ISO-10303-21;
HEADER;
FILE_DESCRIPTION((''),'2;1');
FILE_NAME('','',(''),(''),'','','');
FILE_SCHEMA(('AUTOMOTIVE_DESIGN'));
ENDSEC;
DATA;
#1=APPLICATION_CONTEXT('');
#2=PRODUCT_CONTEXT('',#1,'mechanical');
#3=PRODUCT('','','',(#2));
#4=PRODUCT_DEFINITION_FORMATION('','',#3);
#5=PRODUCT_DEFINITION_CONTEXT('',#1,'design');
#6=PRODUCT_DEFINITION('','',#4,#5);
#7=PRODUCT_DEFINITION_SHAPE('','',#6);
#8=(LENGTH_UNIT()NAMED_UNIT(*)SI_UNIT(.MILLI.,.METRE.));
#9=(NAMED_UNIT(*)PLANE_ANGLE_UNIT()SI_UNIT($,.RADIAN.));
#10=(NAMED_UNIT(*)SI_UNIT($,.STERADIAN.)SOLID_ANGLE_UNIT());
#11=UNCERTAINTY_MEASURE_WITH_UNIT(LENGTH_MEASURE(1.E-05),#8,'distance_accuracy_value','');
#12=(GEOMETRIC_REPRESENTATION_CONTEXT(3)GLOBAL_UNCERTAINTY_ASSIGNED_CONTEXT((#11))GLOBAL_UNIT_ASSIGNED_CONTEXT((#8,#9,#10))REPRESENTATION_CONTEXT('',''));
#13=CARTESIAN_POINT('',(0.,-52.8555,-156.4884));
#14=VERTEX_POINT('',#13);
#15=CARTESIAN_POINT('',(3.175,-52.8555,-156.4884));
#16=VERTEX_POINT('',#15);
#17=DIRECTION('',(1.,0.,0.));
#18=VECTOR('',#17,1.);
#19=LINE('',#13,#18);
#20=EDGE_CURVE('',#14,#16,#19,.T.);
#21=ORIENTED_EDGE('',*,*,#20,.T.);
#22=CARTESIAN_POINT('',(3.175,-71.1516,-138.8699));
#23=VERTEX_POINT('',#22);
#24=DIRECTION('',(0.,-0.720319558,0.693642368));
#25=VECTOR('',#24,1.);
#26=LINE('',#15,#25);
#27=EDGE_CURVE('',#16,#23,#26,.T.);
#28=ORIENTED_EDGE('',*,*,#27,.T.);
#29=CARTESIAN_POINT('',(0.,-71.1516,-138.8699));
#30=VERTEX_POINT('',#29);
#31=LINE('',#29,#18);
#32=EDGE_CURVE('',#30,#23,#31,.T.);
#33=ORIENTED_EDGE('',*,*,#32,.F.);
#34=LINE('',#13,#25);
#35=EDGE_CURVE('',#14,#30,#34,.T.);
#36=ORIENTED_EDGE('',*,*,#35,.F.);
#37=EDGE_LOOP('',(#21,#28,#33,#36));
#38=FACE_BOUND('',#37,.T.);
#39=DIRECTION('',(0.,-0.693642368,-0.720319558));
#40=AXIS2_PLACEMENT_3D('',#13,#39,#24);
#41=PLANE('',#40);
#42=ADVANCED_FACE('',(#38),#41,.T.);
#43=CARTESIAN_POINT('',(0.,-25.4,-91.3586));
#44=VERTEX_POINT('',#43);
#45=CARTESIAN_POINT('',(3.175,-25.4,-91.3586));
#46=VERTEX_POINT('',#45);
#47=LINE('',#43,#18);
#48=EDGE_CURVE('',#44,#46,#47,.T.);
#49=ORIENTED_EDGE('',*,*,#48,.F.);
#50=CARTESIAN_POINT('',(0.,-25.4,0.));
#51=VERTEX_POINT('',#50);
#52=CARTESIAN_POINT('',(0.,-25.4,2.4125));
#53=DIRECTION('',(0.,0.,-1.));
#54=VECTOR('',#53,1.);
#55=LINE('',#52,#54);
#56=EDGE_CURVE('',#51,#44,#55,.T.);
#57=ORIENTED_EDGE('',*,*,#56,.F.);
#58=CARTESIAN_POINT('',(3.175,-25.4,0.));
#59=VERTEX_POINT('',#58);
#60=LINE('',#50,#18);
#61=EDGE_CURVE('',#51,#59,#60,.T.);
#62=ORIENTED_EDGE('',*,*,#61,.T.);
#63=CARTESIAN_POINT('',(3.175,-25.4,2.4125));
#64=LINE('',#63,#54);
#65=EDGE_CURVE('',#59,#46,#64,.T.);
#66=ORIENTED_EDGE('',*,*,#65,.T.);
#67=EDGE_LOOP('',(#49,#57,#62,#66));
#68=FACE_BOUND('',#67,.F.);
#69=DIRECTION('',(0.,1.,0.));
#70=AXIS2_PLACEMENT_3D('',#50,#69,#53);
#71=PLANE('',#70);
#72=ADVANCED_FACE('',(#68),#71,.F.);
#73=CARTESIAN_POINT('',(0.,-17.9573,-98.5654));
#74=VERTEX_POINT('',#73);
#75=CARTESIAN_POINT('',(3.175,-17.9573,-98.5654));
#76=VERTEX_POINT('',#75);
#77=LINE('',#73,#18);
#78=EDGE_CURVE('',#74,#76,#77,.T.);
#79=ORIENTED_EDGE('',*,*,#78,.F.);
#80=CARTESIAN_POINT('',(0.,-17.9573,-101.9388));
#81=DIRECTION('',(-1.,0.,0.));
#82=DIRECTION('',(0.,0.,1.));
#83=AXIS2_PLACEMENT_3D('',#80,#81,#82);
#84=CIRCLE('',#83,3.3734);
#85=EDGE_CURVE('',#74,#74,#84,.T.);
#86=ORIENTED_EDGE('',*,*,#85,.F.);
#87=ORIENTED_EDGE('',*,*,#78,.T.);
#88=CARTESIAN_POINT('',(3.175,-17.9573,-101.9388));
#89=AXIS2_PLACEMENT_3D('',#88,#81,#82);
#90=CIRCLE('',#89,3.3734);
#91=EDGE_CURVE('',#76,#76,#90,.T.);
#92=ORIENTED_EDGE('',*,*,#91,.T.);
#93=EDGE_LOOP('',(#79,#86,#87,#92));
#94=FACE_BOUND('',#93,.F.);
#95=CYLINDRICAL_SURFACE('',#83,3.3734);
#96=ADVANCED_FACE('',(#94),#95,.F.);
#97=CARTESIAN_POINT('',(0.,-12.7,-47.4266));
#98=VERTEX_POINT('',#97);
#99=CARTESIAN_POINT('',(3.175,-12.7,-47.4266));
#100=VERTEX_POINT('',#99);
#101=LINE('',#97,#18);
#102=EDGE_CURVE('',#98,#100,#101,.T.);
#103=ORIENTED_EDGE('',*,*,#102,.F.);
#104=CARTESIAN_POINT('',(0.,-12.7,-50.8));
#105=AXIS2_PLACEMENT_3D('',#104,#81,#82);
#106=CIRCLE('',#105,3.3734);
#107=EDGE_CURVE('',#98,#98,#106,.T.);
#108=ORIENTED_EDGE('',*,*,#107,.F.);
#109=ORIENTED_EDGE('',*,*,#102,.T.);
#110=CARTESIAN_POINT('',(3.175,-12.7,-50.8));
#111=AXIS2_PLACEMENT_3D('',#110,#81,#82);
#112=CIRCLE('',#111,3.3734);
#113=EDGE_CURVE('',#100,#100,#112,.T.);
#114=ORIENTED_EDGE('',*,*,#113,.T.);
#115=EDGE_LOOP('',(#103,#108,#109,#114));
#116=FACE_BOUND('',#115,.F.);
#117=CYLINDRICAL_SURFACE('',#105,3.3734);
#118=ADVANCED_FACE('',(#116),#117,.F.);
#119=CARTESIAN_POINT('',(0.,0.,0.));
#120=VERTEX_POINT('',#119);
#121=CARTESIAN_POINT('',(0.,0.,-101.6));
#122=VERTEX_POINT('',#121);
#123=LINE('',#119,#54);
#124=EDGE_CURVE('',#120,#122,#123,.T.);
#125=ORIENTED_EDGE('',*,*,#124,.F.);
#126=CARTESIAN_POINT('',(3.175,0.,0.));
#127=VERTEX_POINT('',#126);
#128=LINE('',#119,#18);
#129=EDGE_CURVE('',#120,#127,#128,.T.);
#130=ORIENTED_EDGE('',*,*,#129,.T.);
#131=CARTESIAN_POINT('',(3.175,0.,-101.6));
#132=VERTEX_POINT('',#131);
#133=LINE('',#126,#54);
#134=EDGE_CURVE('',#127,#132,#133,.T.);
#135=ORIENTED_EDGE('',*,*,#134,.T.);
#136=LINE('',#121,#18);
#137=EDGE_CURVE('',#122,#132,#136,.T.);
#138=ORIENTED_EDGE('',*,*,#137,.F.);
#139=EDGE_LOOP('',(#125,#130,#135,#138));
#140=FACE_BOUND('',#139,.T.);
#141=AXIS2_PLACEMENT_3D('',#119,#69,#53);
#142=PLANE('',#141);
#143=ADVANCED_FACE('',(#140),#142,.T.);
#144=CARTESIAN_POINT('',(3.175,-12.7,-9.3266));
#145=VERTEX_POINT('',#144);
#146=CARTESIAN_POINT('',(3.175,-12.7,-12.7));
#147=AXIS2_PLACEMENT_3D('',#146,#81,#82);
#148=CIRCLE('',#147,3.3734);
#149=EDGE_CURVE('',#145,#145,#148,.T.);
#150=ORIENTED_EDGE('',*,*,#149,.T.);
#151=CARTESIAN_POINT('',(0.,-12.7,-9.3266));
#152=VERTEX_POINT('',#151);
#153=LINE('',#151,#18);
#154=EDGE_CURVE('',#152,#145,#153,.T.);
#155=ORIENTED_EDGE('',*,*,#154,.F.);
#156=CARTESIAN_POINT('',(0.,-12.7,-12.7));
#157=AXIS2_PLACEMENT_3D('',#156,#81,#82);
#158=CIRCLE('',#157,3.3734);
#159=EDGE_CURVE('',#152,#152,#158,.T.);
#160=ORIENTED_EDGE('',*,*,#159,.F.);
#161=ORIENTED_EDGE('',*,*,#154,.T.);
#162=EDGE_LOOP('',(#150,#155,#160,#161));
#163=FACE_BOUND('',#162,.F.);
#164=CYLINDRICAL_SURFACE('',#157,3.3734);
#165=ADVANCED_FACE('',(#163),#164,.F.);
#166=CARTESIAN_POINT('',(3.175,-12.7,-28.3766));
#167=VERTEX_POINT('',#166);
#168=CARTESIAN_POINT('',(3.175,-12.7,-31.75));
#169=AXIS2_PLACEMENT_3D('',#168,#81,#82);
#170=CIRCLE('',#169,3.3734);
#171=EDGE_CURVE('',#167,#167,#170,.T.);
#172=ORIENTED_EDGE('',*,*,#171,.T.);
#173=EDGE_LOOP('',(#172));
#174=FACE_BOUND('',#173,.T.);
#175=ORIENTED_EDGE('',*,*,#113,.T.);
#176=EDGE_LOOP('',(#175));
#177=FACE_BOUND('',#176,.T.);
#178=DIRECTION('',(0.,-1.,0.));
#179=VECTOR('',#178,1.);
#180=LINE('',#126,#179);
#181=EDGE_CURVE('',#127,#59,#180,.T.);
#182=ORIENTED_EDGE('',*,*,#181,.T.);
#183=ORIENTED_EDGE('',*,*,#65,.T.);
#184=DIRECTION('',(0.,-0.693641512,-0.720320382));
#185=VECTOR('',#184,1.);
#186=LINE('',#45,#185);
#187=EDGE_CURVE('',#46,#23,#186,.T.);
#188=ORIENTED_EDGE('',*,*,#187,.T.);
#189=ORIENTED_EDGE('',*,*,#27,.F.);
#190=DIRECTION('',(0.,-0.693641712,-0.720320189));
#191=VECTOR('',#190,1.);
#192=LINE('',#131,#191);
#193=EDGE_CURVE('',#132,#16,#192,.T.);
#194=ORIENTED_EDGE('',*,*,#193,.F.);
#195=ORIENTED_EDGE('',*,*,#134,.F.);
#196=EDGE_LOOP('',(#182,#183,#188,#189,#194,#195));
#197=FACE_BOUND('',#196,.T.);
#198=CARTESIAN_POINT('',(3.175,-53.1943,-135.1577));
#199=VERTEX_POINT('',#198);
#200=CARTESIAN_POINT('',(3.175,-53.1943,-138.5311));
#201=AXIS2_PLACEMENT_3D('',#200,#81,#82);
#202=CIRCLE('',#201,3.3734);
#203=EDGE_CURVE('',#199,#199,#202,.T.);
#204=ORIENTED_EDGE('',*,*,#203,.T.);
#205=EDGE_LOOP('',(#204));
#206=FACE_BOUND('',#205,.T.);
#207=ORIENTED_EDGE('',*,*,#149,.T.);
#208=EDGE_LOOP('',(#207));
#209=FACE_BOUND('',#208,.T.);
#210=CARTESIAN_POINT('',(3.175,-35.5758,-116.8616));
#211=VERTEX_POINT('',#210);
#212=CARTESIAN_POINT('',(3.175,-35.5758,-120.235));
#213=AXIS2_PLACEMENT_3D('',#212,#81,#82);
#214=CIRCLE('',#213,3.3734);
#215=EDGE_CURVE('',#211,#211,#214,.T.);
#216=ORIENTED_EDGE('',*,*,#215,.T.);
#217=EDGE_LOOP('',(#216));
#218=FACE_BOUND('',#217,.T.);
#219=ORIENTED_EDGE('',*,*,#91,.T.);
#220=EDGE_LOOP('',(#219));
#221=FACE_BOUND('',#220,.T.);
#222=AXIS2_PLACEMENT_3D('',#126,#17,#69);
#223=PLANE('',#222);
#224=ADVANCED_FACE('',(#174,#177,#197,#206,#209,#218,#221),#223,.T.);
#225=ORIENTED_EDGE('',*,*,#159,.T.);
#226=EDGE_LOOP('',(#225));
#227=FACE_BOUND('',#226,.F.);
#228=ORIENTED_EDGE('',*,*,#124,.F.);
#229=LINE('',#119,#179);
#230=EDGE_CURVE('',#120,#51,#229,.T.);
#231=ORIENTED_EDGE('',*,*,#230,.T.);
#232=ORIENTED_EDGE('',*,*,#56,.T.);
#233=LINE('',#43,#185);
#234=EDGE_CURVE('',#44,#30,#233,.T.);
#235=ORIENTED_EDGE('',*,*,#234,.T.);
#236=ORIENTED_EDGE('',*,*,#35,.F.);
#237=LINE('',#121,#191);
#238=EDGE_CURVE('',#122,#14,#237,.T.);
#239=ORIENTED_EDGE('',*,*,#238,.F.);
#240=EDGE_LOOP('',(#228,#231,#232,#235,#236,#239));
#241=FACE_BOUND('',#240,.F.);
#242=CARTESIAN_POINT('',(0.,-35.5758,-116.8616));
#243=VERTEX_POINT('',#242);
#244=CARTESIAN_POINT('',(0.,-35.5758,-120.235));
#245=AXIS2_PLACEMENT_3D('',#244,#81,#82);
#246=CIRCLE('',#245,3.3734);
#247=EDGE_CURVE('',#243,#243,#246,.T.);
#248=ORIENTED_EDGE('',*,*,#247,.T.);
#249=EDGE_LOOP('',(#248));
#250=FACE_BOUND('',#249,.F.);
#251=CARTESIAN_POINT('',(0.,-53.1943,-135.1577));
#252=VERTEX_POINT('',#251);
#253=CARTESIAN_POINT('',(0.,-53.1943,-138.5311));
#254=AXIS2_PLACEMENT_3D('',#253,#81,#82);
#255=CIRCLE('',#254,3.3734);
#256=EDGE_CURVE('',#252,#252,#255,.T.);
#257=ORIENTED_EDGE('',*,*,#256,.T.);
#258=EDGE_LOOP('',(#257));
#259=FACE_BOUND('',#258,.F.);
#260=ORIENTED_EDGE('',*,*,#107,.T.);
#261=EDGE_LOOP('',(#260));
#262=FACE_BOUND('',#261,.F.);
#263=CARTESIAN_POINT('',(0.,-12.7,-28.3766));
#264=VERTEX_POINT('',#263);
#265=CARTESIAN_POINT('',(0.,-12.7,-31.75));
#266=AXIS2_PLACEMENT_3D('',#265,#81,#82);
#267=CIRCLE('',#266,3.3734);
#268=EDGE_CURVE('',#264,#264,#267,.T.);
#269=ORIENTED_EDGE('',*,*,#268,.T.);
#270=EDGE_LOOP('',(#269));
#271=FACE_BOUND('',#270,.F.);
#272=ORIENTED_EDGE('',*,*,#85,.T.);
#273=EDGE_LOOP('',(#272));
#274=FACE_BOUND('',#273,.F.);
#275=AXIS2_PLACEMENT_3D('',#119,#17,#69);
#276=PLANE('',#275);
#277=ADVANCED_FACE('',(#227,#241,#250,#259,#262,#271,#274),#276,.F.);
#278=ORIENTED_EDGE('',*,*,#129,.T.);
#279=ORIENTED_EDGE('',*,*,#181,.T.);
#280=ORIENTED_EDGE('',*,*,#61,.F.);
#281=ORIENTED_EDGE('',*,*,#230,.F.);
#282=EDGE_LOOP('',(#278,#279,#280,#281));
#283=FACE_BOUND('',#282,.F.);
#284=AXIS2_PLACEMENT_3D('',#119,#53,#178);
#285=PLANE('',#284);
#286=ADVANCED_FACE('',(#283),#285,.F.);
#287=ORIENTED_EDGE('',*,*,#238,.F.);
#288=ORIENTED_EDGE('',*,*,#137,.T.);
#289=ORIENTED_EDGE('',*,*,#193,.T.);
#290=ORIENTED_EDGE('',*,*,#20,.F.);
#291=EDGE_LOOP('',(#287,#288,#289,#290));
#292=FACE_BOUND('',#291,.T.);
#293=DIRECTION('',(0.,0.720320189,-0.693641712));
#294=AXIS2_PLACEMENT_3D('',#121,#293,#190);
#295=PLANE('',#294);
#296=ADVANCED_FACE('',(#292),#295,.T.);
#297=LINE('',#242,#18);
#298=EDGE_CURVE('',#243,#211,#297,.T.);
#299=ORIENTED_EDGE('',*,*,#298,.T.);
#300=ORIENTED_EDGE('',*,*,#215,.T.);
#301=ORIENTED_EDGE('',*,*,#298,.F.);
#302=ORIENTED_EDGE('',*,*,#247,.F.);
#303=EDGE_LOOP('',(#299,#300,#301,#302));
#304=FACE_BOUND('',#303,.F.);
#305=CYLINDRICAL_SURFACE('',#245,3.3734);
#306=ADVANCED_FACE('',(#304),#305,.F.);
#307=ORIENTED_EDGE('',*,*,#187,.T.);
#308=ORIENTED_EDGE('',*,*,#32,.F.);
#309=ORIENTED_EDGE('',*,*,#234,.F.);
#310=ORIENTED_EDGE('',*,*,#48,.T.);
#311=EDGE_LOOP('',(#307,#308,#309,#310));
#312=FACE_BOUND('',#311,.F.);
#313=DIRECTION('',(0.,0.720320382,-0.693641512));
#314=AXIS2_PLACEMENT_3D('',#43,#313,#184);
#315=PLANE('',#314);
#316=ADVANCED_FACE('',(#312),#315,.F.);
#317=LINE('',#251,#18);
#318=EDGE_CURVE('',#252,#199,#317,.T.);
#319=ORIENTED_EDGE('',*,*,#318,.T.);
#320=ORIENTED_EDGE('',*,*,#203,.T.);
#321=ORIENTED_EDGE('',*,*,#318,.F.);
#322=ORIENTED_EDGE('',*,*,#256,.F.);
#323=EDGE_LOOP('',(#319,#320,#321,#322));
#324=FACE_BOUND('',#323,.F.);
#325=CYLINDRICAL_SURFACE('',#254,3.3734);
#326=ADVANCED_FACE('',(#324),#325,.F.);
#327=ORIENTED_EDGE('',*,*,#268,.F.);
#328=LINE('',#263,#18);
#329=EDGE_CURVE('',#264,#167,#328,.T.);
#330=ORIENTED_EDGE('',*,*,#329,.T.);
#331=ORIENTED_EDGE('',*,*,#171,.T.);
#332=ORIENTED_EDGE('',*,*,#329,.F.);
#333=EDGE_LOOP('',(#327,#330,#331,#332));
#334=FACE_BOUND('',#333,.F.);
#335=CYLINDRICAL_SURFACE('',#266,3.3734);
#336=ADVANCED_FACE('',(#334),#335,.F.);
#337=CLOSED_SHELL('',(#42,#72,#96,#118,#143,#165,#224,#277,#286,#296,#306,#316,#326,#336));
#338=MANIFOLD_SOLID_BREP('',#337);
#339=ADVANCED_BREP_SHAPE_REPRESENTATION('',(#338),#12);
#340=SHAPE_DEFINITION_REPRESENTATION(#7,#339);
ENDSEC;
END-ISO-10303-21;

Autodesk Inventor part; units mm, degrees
ref_plane "YZ Plane" through (0, 0, 0) normal (1, 0, 0) x (0, 1, 0)
ref_plane "XZ Plane" through (0, 0, 0) normal (0, 1, 0) x (-1, 0, 0)
ref_plane "XY Plane" through (0, 0, 0) normal (0, 0, 1) x (1, 0, 0)
sketch "Sketch1" plane through (0, 0, 0) normal (1, 0, 0) x (0, 1, 0)
  line L0 (0, 0) -> (0, -101.6)
  line L1 (0, -101.6) -> (-52.8555, -156.4884)
  line L2 (-25.4, 2.4125) -> (-25.4, -91.3586)
  line L3 (-25.4, -91.3586) -> (-71.1516, -138.8699)
  line L4 (-52.8555, -156.4884) -> (-71.1516, -138.8699)
  line L5 (0, 0) -> (-25.4, 0)
  dimension "d0" = 101.6
  dimension "d1" = 25.4
  dimension "d2" = 25.4
  dimension "d3" = 76.2
  dimension "d4" = 136.081
extrude "Extrusion1" add sketch "Sketch1" along normal blind 3.175
sketch "Sketch2" plane through (0, 0, 0) normal (-1, 0, 0) x (0, 0, 1)
  circle A0 centre (-12.7, -12.7) radius 3.3734
  circle A1 centre (-31.75, -12.7) radius 3.3734
  circle A2 centre (-50.8, -12.7) radius 3.3734
  line L0 (0, -25.4) -> (0, 0) projected
  line L1 (0, -12.7) -> (-114.7885, -12.7) construction
  line L2 (-156.4884, -52.8555) -> (-101.6, 0) projected
  circle A3 centre (-138.5311, -53.1943) radius 3.3734
  circle A4 centre (-120.235, -35.5758) radius 3.3734
  circle A5 centre (-101.9388, -17.9573) radius 3.3734
  line L3 (-91.3586, -25.4) -> (-138.8699, -71.1516) projected
  line L4 (-156.4884, -52.8555) -> (-138.8699, -71.1516) projected
  dimension "d7" = 6.7469
  dimension "d8" = 6.7469
  dimension "d9" = 6.7469
  dimension "d10" = 12.7
  dimension "d11" = 19.05
  dimension "d12" = 19.05
  dimension "d15" = 6.7469
  dimension "d16" = 6.7469
  dimension "d17" = 6.7469
  dimension "d18" = 12.7
  dimension "d19" = 12.7
  dimension "d20" = 12.7
  dimension "d21" = 12.7
  dimension "d22" = 38.1
  dimension "d23" = 63.5
extrude "Extrusion2" cut sketch "Sketch2" against normal blind 3.175
properties part number "lower gusset" material "Aluminum 6061"
